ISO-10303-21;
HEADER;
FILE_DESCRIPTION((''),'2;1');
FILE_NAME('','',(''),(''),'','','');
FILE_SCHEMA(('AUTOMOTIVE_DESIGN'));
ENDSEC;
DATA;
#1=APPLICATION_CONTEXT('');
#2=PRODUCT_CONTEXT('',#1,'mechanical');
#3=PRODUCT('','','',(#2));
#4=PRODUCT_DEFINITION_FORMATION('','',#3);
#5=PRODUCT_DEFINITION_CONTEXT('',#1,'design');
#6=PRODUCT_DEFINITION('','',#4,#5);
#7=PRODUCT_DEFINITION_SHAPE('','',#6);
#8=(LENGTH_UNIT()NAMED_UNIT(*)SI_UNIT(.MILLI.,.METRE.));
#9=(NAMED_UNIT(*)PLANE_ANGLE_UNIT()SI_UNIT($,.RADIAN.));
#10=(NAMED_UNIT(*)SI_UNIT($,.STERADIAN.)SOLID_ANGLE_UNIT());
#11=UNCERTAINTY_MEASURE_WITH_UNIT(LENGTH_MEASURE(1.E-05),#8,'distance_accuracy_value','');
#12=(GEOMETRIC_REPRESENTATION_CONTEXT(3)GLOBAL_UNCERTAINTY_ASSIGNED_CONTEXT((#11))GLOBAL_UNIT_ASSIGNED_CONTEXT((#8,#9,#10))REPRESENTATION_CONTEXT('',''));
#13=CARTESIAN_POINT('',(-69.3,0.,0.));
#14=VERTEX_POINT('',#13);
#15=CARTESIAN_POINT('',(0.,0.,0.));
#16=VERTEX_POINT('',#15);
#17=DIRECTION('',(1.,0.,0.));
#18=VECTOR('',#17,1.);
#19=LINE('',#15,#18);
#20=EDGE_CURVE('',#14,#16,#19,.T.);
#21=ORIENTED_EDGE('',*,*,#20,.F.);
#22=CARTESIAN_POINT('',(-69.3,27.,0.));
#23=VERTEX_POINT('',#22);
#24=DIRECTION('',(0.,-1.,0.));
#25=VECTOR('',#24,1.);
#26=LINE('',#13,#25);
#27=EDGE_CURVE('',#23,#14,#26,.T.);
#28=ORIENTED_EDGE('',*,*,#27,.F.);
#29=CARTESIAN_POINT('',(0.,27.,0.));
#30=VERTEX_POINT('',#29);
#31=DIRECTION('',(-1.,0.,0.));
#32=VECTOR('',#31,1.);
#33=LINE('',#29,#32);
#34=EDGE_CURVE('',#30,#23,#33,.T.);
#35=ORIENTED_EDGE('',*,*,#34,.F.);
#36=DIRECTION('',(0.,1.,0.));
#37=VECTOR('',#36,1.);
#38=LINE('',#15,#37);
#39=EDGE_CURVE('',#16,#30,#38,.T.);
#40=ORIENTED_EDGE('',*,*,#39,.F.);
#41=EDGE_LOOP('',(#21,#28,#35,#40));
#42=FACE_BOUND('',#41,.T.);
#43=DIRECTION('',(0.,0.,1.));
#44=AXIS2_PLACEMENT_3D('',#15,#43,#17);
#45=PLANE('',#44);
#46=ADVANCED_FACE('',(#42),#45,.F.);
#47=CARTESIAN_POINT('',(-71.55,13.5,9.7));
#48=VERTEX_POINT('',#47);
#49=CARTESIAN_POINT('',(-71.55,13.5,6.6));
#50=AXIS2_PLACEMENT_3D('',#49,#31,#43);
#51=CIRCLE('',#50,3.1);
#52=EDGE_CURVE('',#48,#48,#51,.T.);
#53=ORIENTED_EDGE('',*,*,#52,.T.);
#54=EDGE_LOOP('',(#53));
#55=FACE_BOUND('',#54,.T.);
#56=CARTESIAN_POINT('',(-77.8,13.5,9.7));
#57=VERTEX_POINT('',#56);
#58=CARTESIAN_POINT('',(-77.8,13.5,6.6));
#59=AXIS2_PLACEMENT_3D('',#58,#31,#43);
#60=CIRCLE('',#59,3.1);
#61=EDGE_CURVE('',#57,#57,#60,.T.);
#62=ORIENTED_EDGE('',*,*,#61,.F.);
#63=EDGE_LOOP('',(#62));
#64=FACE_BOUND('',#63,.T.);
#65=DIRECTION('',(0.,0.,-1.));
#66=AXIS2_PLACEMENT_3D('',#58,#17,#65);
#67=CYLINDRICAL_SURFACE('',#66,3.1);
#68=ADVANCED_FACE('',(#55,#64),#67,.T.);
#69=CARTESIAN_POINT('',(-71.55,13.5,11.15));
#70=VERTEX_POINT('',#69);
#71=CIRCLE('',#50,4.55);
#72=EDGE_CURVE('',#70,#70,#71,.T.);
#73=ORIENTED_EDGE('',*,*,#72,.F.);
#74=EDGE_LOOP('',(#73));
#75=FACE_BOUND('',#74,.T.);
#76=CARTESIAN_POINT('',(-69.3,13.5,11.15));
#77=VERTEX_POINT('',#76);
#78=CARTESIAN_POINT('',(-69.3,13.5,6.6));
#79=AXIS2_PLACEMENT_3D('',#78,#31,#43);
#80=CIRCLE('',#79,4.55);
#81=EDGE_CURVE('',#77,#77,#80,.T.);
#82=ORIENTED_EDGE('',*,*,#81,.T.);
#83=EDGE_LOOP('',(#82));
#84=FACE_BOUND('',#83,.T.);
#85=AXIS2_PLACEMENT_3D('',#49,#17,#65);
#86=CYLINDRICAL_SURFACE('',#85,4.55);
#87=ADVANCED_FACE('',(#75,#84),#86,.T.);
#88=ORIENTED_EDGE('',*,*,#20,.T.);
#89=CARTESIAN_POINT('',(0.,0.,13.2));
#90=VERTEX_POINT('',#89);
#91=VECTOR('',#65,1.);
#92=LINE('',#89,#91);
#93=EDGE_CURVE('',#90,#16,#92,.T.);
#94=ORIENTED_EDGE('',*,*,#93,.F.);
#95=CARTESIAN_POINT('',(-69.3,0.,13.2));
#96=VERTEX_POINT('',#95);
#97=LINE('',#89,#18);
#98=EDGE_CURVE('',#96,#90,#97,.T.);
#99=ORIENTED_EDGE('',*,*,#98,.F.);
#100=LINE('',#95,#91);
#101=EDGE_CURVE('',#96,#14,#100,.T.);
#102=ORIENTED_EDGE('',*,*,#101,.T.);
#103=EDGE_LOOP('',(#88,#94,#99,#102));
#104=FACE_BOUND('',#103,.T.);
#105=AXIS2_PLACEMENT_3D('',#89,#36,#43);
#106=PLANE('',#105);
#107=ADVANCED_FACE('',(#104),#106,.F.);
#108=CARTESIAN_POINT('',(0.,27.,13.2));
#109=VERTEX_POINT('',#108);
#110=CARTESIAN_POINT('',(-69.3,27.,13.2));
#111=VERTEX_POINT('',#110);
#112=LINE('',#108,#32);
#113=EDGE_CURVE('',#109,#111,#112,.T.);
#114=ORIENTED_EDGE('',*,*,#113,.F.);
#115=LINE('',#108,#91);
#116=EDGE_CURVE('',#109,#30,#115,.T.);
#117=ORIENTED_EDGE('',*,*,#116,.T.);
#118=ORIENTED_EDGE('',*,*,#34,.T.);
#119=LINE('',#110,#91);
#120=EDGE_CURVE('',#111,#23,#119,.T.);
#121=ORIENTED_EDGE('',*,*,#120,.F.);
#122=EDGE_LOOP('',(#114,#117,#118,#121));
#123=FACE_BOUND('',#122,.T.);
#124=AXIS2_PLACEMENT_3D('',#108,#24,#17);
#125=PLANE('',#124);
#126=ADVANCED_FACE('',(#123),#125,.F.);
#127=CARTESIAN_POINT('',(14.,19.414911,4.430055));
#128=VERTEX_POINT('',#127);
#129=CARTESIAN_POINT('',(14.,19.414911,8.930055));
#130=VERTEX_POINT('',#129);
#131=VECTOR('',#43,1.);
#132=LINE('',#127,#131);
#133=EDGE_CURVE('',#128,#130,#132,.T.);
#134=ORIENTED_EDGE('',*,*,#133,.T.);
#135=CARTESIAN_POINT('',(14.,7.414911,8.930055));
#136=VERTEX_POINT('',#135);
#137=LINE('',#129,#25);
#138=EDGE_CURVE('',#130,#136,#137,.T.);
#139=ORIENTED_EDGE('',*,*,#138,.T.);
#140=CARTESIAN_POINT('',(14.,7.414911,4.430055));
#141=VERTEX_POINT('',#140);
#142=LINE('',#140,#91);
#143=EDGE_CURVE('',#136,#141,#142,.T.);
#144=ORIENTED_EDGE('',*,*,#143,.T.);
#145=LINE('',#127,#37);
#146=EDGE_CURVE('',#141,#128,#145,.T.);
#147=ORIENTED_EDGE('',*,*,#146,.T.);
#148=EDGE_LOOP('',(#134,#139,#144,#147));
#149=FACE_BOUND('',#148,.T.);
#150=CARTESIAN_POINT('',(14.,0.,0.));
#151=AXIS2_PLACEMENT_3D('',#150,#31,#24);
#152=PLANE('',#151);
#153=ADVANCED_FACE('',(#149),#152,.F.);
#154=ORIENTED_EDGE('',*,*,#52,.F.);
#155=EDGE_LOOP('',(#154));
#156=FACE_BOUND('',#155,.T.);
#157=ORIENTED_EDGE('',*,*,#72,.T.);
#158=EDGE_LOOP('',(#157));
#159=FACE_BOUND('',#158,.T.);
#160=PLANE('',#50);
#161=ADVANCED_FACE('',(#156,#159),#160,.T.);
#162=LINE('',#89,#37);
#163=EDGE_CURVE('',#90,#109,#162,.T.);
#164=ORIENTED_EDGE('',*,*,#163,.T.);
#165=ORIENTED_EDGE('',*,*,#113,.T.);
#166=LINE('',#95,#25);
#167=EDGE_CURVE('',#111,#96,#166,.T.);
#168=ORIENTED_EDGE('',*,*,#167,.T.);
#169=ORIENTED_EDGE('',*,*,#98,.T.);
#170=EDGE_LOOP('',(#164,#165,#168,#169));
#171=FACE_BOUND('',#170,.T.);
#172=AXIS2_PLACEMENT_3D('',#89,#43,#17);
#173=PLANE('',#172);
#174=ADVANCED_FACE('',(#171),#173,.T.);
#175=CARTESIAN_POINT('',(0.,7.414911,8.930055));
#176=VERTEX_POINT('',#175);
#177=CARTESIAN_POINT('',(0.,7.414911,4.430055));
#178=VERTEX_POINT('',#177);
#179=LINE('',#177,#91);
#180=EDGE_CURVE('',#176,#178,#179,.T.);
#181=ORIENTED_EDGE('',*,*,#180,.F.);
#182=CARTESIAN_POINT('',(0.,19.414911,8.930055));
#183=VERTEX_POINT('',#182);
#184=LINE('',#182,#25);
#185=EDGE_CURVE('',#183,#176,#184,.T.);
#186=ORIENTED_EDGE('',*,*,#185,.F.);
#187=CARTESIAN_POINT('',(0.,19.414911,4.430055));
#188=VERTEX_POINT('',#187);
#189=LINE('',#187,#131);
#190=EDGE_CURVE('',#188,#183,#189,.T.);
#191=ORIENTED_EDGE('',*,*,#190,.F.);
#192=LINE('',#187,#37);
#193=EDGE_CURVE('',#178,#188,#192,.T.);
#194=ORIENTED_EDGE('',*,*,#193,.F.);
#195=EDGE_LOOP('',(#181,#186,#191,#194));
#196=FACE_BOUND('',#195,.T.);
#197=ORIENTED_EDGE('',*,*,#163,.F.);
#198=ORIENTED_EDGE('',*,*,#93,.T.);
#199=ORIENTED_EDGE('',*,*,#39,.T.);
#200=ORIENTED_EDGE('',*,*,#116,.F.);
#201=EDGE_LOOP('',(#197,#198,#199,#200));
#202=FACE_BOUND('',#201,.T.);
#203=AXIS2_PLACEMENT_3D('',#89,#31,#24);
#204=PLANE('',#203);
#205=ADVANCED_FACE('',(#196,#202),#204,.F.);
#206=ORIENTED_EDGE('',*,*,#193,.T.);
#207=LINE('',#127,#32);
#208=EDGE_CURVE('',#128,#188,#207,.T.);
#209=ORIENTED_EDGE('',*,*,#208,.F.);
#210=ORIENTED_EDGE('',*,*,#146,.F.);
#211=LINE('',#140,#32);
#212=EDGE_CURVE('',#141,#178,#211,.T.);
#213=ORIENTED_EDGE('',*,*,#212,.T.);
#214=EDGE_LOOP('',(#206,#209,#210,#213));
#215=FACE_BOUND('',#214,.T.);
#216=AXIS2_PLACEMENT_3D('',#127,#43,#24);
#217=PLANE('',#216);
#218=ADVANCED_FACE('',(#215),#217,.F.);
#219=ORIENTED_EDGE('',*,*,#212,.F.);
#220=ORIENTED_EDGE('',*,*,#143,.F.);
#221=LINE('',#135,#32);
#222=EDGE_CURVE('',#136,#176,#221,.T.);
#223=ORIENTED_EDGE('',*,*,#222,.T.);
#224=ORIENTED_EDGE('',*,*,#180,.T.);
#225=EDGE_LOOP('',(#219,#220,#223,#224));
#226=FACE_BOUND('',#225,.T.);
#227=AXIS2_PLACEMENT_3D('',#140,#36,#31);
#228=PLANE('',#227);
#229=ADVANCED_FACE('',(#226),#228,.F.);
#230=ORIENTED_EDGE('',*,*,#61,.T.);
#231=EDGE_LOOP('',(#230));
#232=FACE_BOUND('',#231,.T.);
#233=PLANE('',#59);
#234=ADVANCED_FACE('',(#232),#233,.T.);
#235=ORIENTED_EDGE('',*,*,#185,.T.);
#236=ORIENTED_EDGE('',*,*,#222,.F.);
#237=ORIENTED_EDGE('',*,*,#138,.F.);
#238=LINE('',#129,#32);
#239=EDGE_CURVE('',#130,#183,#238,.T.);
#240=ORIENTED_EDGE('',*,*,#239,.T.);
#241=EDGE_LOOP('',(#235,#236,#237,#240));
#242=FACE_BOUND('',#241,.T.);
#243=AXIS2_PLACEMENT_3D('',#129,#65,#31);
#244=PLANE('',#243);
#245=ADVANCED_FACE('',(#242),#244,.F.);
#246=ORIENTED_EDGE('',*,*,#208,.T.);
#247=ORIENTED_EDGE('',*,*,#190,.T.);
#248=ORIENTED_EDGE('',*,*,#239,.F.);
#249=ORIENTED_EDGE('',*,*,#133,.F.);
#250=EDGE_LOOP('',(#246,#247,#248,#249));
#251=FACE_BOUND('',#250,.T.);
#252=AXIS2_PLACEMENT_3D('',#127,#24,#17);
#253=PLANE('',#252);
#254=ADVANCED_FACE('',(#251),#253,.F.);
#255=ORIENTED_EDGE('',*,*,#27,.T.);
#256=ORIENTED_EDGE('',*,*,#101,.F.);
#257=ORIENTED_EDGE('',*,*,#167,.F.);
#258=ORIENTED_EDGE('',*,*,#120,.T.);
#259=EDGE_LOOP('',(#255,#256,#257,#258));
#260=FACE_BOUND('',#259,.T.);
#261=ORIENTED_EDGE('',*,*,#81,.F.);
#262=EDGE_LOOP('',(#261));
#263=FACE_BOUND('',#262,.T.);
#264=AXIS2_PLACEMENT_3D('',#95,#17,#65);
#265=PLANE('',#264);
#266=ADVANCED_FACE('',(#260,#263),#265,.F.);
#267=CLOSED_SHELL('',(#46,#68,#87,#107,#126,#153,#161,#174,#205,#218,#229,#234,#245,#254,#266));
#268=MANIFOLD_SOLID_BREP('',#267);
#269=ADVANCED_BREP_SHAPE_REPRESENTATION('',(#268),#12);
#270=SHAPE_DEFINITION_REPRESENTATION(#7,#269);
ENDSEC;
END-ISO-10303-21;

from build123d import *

# Parameters (mm, degrees)
SKETCH1_W           = 69.3
SKETCH1_H           = 27
BOSS_EXTRUDE1_DEPTH = 13.2
SKETCH2_R           = 4.55
BOSS_EXTRUDE2_DEPTH = 2.25
SKETCH3_R           = 3.1
BOSS_EXTRUDE3_DEPTH = 6.25
SKETCH4_W           = 4.5
SKETCH4_H           = 12
BOSS_EXTRUDE4_DEPTH = 14


with BuildPart() as part:
    # Sketch1 → Boss-Extrude1 (new body)
    with BuildSketch(Plane.XY):
        with Locations((-34.65, 13.5)):
            Rectangle(SKETCH1_W, SKETCH1_H)
    extrude(amount=BOSS_EXTRUDE1_DEPTH)

    # Sketch2 → Boss-Extrude2 (add)
    with BuildSketch(Plane.ZY.offset(69.3)):
        with Locations((6.6, 13.5)):
            Circle(SKETCH2_R)
    extrude(amount=BOSS_EXTRUDE2_DEPTH)

    # Sketch3 → Boss-Extrude3 (add)
    with BuildSketch(Plane.ZY.offset(71.55)):
        with Locations((6.6, 13.5)):
            Circle(SKETCH3_R)
    extrude(amount=BOSS_EXTRUDE3_DEPTH)

    # Sketch4 → Boss-Extrude4 (add)
    with BuildSketch(Plane(origin=(0, 0, 0), x_dir=(0, 0, -1), z_dir=(1, 0, 0))):
        with Locations((-6.68005531, 13.414910597)):
            Rectangle(SKETCH4_W, SKETCH4_H)
    extrude(amount=BOSS_EXTRUDE4_DEPTH)


solid = part.part
